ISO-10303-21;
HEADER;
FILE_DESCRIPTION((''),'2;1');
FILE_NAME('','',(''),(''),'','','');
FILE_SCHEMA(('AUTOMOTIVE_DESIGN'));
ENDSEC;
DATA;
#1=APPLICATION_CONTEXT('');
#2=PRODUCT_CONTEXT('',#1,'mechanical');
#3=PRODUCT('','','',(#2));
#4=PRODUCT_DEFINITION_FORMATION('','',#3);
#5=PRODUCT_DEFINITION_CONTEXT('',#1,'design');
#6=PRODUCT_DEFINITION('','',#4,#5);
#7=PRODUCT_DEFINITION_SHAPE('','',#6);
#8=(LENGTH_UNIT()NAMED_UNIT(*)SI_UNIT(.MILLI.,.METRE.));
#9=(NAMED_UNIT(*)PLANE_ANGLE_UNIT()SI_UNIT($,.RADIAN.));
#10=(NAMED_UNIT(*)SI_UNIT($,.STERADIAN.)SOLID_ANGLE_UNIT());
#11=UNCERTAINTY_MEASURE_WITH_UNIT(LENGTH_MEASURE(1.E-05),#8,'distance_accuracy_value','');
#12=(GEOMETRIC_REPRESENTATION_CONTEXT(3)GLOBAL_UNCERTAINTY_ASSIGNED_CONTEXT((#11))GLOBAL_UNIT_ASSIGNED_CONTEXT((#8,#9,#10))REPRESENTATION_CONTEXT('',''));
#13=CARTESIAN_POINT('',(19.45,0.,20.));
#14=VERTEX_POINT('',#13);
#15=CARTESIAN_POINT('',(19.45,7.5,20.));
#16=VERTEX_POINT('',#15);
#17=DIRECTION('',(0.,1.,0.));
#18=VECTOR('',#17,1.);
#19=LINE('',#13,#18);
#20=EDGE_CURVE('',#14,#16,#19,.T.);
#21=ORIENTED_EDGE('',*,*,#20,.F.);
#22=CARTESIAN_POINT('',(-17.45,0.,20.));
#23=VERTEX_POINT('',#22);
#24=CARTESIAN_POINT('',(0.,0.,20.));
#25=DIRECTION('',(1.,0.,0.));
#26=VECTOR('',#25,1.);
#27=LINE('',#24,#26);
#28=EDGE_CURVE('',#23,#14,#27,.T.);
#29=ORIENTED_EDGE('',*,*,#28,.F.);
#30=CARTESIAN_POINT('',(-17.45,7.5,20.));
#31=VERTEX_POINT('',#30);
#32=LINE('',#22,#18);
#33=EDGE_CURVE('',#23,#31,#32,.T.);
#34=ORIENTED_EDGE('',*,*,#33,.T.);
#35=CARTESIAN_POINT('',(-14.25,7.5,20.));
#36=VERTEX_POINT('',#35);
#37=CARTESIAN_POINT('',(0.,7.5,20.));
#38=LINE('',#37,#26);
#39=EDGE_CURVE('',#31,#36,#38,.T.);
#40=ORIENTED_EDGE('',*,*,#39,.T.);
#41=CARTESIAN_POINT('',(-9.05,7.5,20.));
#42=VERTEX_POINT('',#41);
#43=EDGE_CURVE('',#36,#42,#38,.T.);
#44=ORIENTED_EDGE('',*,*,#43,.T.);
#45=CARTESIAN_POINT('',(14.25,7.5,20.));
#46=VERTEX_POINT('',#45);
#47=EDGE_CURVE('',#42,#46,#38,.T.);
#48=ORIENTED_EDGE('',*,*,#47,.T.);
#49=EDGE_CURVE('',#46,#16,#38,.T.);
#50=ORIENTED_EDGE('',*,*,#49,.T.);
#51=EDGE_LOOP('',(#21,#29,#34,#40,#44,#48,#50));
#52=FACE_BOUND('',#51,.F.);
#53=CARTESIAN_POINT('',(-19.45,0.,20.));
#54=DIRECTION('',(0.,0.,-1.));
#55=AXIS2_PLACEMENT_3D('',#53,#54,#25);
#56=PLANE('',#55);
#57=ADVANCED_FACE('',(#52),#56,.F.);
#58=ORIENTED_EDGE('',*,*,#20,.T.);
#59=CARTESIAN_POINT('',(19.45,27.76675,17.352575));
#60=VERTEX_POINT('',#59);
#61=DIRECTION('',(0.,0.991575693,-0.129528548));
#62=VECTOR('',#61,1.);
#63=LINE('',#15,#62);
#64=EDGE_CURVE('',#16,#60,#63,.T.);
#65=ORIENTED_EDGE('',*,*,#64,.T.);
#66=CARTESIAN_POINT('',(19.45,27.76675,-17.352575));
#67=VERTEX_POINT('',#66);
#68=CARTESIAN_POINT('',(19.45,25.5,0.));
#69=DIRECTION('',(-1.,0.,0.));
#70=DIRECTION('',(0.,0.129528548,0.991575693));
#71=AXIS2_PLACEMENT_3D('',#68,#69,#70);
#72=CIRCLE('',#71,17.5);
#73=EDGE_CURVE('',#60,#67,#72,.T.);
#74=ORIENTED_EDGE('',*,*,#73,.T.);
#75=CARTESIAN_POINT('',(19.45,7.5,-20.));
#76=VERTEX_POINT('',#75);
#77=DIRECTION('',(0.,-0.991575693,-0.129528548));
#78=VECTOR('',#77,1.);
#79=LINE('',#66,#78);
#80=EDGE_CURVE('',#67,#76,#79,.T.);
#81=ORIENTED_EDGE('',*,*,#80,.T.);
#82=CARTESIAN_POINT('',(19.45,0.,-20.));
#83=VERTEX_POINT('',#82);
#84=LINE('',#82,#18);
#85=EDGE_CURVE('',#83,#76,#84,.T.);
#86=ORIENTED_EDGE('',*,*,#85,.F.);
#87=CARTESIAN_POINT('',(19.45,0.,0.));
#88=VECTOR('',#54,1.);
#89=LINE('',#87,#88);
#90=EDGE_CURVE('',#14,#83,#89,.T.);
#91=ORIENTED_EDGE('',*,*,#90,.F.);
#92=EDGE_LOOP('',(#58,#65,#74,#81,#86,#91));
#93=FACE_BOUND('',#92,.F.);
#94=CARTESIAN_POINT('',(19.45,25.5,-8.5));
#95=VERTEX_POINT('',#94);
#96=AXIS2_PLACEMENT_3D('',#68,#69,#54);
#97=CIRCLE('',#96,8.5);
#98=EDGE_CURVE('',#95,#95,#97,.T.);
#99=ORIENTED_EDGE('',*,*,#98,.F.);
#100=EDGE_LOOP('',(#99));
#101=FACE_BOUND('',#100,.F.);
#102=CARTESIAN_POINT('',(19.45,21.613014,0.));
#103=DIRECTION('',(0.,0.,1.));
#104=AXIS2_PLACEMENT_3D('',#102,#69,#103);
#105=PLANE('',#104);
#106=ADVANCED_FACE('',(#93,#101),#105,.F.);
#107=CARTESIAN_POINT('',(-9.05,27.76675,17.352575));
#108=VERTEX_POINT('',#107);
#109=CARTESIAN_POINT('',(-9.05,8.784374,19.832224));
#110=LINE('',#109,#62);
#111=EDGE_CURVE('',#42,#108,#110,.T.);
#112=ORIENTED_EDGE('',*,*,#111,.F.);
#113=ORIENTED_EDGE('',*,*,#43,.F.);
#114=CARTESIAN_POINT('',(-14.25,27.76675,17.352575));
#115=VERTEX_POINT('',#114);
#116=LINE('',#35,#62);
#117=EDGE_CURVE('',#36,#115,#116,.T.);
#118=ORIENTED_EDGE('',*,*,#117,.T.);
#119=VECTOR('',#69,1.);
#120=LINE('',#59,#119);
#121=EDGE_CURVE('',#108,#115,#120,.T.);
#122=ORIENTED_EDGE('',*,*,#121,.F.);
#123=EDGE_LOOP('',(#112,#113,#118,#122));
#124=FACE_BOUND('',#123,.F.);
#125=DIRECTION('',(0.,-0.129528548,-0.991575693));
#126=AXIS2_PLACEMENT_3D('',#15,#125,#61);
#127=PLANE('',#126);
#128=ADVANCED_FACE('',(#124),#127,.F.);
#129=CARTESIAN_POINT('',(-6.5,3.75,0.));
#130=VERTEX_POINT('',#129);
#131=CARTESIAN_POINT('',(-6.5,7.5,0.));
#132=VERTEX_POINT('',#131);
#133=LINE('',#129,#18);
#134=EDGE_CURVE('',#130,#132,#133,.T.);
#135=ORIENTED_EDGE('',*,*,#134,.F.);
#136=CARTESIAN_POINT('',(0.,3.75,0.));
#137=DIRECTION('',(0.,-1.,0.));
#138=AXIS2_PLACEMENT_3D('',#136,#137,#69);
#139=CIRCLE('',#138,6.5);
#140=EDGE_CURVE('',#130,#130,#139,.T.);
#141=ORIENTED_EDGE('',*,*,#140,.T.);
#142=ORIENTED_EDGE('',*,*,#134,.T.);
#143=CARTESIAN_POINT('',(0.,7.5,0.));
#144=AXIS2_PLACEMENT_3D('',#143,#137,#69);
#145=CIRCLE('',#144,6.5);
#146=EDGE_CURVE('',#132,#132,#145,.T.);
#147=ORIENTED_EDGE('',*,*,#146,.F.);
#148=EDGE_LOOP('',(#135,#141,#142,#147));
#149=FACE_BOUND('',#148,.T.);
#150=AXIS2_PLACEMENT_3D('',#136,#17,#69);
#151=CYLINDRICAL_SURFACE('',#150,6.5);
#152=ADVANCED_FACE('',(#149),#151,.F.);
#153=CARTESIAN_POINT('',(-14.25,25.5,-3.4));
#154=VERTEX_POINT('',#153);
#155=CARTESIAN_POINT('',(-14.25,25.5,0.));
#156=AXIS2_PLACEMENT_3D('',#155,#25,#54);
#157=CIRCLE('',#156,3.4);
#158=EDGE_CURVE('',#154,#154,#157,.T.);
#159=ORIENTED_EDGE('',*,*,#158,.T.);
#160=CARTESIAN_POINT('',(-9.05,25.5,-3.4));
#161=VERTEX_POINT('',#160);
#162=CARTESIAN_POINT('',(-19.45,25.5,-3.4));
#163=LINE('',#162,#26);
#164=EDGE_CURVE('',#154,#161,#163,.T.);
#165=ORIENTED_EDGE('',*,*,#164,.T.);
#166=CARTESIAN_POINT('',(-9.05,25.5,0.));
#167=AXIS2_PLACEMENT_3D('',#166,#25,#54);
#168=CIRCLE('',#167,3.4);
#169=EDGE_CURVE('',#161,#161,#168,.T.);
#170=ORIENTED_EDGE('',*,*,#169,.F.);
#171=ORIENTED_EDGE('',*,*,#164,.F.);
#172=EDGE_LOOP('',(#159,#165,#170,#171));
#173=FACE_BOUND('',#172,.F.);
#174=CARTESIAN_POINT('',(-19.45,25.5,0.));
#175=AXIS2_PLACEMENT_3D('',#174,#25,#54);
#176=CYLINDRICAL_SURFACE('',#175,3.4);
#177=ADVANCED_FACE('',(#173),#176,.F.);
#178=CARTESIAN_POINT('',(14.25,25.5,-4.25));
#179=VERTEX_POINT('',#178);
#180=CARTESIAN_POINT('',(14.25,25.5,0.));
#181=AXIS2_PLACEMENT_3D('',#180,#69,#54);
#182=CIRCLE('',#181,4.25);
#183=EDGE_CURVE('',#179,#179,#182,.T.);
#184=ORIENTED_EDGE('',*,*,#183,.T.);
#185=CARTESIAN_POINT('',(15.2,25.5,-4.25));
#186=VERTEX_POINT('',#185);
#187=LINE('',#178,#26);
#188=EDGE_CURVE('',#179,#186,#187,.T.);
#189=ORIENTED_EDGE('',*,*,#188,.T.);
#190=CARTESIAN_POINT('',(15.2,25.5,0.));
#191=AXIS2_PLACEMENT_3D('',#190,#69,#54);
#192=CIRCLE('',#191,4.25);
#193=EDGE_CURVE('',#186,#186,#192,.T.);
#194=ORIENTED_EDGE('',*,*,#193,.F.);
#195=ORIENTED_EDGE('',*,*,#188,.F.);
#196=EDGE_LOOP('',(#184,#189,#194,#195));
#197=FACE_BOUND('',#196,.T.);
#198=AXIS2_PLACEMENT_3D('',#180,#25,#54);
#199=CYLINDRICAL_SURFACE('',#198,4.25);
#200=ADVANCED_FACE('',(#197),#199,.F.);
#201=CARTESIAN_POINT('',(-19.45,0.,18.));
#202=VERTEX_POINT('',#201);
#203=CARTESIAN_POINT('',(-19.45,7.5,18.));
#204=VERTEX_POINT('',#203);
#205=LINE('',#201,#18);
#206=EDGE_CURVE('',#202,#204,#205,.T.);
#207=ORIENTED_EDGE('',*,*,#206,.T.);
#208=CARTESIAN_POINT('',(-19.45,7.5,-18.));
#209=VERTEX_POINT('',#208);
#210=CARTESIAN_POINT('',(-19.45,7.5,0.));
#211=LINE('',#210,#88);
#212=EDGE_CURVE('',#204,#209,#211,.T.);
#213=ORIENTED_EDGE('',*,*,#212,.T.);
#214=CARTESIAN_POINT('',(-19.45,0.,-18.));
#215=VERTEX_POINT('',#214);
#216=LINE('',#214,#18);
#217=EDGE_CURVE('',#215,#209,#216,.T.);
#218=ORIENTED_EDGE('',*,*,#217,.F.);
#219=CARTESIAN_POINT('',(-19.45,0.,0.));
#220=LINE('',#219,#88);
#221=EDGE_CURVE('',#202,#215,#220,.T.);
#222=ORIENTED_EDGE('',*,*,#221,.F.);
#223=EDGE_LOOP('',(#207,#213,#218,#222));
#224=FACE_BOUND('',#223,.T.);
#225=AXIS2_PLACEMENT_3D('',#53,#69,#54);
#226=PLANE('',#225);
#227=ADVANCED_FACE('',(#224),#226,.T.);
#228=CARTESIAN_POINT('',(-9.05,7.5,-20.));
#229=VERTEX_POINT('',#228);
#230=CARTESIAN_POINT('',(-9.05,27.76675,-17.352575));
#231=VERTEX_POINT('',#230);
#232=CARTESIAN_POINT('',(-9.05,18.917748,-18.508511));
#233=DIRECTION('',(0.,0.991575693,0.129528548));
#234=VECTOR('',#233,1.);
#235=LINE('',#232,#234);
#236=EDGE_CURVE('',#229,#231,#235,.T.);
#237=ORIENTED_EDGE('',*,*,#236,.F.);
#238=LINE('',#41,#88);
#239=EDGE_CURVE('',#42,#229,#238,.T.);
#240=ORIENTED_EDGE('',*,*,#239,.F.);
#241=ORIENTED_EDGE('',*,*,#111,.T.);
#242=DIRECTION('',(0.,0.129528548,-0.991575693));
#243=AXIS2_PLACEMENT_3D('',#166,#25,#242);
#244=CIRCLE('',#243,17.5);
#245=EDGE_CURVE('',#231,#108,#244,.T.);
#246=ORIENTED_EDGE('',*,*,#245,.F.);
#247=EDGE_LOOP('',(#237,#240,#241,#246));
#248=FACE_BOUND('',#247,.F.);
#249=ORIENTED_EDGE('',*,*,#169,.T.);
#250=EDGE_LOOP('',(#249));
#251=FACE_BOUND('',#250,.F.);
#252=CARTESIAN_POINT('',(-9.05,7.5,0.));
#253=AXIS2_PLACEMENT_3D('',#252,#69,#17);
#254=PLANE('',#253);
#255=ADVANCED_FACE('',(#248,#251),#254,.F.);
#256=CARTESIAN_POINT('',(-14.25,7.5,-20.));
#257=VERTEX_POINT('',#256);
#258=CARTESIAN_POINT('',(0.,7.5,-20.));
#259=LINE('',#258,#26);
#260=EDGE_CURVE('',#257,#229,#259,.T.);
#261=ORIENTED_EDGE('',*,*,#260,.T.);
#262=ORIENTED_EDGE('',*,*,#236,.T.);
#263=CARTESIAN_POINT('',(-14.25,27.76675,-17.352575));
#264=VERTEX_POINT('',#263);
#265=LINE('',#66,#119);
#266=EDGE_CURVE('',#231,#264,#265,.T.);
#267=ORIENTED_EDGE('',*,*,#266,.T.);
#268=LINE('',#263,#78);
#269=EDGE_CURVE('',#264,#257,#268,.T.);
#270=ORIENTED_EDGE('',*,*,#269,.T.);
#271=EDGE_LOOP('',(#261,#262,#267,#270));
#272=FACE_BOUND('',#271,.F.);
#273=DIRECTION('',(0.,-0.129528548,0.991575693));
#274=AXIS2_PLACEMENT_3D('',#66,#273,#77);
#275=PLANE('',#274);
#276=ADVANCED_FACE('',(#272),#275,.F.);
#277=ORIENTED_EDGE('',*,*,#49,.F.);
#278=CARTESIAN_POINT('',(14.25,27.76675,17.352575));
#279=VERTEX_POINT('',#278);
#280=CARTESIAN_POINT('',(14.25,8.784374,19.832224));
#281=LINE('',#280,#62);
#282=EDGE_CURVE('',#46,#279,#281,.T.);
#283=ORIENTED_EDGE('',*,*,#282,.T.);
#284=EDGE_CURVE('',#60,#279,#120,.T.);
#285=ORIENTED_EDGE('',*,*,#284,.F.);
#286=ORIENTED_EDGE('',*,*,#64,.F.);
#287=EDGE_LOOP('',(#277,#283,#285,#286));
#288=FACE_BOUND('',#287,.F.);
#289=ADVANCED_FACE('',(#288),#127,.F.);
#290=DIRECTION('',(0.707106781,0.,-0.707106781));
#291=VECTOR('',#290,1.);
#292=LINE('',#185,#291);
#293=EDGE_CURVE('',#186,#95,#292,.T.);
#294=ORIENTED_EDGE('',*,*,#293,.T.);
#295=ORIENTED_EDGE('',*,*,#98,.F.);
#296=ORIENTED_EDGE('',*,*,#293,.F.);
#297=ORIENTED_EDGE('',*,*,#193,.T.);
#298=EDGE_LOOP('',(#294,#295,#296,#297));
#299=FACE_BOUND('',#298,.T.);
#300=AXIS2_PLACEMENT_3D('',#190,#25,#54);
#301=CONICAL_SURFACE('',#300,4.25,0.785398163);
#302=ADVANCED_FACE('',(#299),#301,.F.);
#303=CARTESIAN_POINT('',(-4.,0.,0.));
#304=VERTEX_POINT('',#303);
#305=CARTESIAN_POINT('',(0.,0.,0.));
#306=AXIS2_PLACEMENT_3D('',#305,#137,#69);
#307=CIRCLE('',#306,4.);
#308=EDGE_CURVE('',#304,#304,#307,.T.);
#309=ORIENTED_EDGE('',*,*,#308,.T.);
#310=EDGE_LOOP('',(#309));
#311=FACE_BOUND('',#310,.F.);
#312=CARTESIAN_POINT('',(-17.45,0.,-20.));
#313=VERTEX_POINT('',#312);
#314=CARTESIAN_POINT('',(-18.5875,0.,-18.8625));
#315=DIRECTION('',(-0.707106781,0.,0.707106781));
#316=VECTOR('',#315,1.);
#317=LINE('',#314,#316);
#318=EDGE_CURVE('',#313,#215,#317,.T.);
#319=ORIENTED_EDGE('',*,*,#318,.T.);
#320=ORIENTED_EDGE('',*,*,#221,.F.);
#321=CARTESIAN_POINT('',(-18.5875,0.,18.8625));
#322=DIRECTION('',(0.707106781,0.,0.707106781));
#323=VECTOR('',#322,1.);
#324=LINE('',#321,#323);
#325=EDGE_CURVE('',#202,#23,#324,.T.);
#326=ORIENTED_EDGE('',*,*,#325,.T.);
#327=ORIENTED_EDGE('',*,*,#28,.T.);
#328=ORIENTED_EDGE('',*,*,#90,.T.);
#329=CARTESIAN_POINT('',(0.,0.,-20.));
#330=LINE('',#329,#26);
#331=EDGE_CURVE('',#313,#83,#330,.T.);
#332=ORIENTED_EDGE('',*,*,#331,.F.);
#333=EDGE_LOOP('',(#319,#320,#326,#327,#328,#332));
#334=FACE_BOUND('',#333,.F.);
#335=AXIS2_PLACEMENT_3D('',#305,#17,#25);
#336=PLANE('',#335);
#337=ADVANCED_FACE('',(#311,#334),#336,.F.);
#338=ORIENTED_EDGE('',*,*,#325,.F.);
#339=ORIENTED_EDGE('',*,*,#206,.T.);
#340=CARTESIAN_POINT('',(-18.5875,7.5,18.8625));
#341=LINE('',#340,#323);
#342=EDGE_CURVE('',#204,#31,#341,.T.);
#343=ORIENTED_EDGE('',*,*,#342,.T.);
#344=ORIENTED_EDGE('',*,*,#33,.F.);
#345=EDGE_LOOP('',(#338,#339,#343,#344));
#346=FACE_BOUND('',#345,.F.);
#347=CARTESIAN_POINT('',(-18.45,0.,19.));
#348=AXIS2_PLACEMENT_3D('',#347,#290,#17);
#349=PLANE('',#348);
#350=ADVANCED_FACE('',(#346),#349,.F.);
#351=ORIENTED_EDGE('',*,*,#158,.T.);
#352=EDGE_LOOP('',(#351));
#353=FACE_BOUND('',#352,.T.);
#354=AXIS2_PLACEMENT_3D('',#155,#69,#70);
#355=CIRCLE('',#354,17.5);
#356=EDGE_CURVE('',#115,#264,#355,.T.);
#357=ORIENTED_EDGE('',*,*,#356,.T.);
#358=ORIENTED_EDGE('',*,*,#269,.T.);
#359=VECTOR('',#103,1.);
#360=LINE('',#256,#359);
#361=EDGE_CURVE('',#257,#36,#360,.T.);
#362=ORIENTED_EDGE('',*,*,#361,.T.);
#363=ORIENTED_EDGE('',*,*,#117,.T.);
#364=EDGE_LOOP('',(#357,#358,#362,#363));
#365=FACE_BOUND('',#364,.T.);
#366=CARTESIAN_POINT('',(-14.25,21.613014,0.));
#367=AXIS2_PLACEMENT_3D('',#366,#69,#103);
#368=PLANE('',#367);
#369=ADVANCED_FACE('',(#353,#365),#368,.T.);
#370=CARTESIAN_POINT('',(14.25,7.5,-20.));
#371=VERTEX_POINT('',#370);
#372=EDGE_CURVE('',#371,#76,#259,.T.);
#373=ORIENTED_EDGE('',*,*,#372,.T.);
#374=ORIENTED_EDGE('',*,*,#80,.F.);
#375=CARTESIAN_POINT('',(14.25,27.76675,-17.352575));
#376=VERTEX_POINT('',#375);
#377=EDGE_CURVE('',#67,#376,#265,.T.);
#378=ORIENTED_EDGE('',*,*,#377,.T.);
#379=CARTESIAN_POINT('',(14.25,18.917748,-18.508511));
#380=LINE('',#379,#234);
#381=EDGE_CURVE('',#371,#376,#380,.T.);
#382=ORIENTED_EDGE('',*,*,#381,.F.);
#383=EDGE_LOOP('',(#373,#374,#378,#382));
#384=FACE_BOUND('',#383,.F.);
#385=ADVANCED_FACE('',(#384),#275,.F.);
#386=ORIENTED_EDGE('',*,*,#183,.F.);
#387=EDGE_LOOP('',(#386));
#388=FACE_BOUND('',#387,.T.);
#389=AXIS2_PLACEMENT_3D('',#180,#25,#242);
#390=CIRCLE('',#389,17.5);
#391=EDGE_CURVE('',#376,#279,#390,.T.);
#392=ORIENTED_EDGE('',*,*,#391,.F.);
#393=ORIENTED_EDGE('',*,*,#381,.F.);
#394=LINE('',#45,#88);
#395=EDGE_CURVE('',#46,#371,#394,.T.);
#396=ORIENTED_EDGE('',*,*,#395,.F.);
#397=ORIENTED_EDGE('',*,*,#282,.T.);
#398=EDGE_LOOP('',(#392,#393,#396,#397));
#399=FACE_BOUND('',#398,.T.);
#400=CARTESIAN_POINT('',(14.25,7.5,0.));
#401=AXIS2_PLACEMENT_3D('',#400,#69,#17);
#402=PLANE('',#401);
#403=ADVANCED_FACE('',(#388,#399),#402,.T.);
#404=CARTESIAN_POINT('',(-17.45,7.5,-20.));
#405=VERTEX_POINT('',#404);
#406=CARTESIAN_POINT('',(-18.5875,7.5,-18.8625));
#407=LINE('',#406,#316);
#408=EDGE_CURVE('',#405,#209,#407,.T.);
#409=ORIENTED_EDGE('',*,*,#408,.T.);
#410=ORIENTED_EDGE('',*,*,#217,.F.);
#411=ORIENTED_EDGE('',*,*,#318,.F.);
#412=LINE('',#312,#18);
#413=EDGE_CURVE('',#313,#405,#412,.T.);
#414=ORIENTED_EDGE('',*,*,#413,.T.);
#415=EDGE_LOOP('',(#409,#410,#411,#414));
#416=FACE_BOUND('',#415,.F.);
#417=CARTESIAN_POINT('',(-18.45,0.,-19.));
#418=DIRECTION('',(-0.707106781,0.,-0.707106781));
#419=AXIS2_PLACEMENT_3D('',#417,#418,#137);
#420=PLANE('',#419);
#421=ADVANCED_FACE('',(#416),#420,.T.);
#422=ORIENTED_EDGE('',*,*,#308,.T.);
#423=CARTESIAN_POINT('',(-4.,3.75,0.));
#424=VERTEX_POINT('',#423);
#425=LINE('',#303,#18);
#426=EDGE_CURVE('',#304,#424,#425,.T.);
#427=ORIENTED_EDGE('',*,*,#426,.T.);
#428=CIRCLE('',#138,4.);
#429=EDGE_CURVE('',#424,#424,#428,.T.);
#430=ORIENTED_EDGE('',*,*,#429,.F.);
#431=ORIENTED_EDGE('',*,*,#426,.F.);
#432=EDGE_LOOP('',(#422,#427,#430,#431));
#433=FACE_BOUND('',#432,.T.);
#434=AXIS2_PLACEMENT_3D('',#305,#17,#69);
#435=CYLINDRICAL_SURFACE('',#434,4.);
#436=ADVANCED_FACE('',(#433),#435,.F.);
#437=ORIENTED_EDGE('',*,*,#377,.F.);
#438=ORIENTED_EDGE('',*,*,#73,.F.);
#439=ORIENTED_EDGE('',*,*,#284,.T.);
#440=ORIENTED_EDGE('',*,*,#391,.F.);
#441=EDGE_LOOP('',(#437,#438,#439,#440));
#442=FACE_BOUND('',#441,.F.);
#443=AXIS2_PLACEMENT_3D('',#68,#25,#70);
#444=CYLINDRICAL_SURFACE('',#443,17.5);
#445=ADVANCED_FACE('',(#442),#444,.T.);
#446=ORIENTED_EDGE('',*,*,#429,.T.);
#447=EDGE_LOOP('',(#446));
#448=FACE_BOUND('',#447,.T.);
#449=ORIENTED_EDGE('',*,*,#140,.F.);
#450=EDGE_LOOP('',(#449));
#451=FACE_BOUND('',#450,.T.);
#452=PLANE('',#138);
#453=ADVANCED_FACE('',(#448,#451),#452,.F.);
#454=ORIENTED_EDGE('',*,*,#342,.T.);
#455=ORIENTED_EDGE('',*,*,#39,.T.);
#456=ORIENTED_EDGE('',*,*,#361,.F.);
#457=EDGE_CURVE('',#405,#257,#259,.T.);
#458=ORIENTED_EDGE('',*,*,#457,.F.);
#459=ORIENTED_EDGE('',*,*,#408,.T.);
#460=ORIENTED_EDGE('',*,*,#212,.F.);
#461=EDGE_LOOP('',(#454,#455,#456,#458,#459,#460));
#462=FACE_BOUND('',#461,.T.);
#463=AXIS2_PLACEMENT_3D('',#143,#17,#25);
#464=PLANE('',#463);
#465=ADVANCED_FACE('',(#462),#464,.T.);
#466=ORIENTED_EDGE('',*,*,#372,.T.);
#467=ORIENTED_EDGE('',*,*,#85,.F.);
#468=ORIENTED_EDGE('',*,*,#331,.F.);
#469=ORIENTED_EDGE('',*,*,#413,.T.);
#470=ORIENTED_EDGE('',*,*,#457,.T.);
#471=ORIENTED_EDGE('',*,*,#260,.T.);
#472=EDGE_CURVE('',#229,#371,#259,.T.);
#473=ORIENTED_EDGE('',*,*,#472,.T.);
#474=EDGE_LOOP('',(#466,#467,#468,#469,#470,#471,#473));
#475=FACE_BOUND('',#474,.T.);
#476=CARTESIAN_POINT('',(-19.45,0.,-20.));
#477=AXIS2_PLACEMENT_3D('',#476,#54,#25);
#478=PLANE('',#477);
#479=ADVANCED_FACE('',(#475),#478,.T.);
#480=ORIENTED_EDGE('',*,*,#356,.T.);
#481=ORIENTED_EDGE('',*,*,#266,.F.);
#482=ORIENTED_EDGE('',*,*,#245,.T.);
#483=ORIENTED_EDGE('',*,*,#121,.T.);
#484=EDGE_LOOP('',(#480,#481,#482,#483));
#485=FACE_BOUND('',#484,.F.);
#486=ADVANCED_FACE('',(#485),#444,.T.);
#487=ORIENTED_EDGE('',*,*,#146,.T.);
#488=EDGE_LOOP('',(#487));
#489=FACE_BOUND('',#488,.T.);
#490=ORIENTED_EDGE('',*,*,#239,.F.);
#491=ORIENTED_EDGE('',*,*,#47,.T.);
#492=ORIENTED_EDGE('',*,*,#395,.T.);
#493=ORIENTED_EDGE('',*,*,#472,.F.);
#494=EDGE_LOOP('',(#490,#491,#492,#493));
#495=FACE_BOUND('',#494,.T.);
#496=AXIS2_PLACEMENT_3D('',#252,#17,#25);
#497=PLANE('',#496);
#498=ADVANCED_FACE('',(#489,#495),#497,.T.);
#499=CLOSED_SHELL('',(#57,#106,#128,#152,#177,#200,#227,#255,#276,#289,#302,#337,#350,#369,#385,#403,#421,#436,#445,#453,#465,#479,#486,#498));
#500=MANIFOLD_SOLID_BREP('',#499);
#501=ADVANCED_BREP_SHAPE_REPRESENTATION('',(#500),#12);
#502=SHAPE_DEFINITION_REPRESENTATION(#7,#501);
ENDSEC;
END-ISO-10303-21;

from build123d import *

# Parameters (mm, degrees)
SKETCH_1_W               = 38.9
SKETCH_1_H               = 40
EXTRUDE_1_DEPTH          = 7.5
EXTRUDE_2_DEPTH          = 33.7
SKETCH_4_W               = 23.3
SKETCH_4_H               = 35.5
CUT_EXTRUDE_1_DEPTH      = 21
CUT_EXTRUDE_1_DEPTH_BACK = 21
CHAMFER_1_SIZE           = 2
HOLE_WIZARD_M81_D        = 6.8
HOLE_WIZARD_M81_DEPTH    = 5.2


with BuildPart() as part:
    # Эскиз1 → Бобышка-Вытянуть1 (new body)
    with BuildSketch(Plane(origin=(0, 0, 0), x_dir=(1, 0, 0), z_dir=(0, 1, 0))):
        Rectangle(SKETCH_1_W, SKETCH_1_H)
    extrude(amount=EXTRUDE_1_DEPTH)

    # Эскиз2 → Вырез-Повернуть1 (revolve, cut)
    with BuildSketch(Plane.XY):
        Polygon((-4, 0), (-4, 3.75), (-6.5, 3.75), (-6.5, 7.5), (0, 7.5), (0, 0), align=None)
    revolve(axis=Axis((0, 7.5, 0), (0, -1, 0)), mode=Mode.SUBTRACT)

    # Эскиз3 → Бобышка-Вытянуть2 (add)
    with BuildSketch(Plane(origin=(19.45, 0, 0), x_dir=(0, 0, -1), z_dir=(1, 0, 0))):
        with BuildLine():
            Line((-20, 7.5), (-17.35257463, 27.766749589))
            ThreePointArc((-17.35257463, 27.766749589), (0, 43), (17.35257463, 27.766749589))
            Line((17.35257463, 27.766749589), (20, 7.5))
            Line((20, 7.5), (-20, 7.5))
        make_face()
    extrude(amount=-EXTRUDE_2_DEPTH)

    # Эскиз4 → Вырез-Вытянуть1 (cut, two sides)
    with BuildSketch(Plane.XY) as cut_extrude_1_sk:
        with Locations((2.6, 25.25)):
            Rectangle(SKETCH_4_W, SKETCH_4_H)
    extrude(amount=CUT_EXTRUDE_1_DEPTH, mode=Mode.SUBTRACT)
    extrude(cut_extrude_1_sk.sketch, amount=-CUT_EXTRUDE_1_DEPTH_BACK, mode=Mode.SUBTRACT)

    # Фаска1
    chamfer_1_edges = [part.edges().sort_by_distance(p)[0] for p in [
        (-19.45, 3.75, -20),
        (-19.45, 3.75, 20),
    ]]
    chamfer(chamfer_1_edges, length=CHAMFER_1_SIZE)

    # Эскиз10 → Зенковка для винта с полупотайной головкой 1 (revolve, cut)
    with BuildSketch(Plane(origin=(19.45, 25.5, 0), x_dir=(0, 0, -1), z_dir=(0, 1, 0))):
        Polygon((0, 0), (0, 5.2), (4.25, 5.2), (4.25, 4.25), (8.5, 0), align=None)
    revolve(axis=Axis((25.8, 25.5, 0), (-1, 0, 0)), mode=Mode.SUBTRACT)

    # Отверстие обработанное метчиком M81
    with Locations(Plane.ZY.offset(14.25)):
        with Locations((0, 25.5)):
            Hole(HOLE_WIZARD_M81_D / 2, depth=HOLE_WIZARD_M81_DEPTH)


solid = part.part
